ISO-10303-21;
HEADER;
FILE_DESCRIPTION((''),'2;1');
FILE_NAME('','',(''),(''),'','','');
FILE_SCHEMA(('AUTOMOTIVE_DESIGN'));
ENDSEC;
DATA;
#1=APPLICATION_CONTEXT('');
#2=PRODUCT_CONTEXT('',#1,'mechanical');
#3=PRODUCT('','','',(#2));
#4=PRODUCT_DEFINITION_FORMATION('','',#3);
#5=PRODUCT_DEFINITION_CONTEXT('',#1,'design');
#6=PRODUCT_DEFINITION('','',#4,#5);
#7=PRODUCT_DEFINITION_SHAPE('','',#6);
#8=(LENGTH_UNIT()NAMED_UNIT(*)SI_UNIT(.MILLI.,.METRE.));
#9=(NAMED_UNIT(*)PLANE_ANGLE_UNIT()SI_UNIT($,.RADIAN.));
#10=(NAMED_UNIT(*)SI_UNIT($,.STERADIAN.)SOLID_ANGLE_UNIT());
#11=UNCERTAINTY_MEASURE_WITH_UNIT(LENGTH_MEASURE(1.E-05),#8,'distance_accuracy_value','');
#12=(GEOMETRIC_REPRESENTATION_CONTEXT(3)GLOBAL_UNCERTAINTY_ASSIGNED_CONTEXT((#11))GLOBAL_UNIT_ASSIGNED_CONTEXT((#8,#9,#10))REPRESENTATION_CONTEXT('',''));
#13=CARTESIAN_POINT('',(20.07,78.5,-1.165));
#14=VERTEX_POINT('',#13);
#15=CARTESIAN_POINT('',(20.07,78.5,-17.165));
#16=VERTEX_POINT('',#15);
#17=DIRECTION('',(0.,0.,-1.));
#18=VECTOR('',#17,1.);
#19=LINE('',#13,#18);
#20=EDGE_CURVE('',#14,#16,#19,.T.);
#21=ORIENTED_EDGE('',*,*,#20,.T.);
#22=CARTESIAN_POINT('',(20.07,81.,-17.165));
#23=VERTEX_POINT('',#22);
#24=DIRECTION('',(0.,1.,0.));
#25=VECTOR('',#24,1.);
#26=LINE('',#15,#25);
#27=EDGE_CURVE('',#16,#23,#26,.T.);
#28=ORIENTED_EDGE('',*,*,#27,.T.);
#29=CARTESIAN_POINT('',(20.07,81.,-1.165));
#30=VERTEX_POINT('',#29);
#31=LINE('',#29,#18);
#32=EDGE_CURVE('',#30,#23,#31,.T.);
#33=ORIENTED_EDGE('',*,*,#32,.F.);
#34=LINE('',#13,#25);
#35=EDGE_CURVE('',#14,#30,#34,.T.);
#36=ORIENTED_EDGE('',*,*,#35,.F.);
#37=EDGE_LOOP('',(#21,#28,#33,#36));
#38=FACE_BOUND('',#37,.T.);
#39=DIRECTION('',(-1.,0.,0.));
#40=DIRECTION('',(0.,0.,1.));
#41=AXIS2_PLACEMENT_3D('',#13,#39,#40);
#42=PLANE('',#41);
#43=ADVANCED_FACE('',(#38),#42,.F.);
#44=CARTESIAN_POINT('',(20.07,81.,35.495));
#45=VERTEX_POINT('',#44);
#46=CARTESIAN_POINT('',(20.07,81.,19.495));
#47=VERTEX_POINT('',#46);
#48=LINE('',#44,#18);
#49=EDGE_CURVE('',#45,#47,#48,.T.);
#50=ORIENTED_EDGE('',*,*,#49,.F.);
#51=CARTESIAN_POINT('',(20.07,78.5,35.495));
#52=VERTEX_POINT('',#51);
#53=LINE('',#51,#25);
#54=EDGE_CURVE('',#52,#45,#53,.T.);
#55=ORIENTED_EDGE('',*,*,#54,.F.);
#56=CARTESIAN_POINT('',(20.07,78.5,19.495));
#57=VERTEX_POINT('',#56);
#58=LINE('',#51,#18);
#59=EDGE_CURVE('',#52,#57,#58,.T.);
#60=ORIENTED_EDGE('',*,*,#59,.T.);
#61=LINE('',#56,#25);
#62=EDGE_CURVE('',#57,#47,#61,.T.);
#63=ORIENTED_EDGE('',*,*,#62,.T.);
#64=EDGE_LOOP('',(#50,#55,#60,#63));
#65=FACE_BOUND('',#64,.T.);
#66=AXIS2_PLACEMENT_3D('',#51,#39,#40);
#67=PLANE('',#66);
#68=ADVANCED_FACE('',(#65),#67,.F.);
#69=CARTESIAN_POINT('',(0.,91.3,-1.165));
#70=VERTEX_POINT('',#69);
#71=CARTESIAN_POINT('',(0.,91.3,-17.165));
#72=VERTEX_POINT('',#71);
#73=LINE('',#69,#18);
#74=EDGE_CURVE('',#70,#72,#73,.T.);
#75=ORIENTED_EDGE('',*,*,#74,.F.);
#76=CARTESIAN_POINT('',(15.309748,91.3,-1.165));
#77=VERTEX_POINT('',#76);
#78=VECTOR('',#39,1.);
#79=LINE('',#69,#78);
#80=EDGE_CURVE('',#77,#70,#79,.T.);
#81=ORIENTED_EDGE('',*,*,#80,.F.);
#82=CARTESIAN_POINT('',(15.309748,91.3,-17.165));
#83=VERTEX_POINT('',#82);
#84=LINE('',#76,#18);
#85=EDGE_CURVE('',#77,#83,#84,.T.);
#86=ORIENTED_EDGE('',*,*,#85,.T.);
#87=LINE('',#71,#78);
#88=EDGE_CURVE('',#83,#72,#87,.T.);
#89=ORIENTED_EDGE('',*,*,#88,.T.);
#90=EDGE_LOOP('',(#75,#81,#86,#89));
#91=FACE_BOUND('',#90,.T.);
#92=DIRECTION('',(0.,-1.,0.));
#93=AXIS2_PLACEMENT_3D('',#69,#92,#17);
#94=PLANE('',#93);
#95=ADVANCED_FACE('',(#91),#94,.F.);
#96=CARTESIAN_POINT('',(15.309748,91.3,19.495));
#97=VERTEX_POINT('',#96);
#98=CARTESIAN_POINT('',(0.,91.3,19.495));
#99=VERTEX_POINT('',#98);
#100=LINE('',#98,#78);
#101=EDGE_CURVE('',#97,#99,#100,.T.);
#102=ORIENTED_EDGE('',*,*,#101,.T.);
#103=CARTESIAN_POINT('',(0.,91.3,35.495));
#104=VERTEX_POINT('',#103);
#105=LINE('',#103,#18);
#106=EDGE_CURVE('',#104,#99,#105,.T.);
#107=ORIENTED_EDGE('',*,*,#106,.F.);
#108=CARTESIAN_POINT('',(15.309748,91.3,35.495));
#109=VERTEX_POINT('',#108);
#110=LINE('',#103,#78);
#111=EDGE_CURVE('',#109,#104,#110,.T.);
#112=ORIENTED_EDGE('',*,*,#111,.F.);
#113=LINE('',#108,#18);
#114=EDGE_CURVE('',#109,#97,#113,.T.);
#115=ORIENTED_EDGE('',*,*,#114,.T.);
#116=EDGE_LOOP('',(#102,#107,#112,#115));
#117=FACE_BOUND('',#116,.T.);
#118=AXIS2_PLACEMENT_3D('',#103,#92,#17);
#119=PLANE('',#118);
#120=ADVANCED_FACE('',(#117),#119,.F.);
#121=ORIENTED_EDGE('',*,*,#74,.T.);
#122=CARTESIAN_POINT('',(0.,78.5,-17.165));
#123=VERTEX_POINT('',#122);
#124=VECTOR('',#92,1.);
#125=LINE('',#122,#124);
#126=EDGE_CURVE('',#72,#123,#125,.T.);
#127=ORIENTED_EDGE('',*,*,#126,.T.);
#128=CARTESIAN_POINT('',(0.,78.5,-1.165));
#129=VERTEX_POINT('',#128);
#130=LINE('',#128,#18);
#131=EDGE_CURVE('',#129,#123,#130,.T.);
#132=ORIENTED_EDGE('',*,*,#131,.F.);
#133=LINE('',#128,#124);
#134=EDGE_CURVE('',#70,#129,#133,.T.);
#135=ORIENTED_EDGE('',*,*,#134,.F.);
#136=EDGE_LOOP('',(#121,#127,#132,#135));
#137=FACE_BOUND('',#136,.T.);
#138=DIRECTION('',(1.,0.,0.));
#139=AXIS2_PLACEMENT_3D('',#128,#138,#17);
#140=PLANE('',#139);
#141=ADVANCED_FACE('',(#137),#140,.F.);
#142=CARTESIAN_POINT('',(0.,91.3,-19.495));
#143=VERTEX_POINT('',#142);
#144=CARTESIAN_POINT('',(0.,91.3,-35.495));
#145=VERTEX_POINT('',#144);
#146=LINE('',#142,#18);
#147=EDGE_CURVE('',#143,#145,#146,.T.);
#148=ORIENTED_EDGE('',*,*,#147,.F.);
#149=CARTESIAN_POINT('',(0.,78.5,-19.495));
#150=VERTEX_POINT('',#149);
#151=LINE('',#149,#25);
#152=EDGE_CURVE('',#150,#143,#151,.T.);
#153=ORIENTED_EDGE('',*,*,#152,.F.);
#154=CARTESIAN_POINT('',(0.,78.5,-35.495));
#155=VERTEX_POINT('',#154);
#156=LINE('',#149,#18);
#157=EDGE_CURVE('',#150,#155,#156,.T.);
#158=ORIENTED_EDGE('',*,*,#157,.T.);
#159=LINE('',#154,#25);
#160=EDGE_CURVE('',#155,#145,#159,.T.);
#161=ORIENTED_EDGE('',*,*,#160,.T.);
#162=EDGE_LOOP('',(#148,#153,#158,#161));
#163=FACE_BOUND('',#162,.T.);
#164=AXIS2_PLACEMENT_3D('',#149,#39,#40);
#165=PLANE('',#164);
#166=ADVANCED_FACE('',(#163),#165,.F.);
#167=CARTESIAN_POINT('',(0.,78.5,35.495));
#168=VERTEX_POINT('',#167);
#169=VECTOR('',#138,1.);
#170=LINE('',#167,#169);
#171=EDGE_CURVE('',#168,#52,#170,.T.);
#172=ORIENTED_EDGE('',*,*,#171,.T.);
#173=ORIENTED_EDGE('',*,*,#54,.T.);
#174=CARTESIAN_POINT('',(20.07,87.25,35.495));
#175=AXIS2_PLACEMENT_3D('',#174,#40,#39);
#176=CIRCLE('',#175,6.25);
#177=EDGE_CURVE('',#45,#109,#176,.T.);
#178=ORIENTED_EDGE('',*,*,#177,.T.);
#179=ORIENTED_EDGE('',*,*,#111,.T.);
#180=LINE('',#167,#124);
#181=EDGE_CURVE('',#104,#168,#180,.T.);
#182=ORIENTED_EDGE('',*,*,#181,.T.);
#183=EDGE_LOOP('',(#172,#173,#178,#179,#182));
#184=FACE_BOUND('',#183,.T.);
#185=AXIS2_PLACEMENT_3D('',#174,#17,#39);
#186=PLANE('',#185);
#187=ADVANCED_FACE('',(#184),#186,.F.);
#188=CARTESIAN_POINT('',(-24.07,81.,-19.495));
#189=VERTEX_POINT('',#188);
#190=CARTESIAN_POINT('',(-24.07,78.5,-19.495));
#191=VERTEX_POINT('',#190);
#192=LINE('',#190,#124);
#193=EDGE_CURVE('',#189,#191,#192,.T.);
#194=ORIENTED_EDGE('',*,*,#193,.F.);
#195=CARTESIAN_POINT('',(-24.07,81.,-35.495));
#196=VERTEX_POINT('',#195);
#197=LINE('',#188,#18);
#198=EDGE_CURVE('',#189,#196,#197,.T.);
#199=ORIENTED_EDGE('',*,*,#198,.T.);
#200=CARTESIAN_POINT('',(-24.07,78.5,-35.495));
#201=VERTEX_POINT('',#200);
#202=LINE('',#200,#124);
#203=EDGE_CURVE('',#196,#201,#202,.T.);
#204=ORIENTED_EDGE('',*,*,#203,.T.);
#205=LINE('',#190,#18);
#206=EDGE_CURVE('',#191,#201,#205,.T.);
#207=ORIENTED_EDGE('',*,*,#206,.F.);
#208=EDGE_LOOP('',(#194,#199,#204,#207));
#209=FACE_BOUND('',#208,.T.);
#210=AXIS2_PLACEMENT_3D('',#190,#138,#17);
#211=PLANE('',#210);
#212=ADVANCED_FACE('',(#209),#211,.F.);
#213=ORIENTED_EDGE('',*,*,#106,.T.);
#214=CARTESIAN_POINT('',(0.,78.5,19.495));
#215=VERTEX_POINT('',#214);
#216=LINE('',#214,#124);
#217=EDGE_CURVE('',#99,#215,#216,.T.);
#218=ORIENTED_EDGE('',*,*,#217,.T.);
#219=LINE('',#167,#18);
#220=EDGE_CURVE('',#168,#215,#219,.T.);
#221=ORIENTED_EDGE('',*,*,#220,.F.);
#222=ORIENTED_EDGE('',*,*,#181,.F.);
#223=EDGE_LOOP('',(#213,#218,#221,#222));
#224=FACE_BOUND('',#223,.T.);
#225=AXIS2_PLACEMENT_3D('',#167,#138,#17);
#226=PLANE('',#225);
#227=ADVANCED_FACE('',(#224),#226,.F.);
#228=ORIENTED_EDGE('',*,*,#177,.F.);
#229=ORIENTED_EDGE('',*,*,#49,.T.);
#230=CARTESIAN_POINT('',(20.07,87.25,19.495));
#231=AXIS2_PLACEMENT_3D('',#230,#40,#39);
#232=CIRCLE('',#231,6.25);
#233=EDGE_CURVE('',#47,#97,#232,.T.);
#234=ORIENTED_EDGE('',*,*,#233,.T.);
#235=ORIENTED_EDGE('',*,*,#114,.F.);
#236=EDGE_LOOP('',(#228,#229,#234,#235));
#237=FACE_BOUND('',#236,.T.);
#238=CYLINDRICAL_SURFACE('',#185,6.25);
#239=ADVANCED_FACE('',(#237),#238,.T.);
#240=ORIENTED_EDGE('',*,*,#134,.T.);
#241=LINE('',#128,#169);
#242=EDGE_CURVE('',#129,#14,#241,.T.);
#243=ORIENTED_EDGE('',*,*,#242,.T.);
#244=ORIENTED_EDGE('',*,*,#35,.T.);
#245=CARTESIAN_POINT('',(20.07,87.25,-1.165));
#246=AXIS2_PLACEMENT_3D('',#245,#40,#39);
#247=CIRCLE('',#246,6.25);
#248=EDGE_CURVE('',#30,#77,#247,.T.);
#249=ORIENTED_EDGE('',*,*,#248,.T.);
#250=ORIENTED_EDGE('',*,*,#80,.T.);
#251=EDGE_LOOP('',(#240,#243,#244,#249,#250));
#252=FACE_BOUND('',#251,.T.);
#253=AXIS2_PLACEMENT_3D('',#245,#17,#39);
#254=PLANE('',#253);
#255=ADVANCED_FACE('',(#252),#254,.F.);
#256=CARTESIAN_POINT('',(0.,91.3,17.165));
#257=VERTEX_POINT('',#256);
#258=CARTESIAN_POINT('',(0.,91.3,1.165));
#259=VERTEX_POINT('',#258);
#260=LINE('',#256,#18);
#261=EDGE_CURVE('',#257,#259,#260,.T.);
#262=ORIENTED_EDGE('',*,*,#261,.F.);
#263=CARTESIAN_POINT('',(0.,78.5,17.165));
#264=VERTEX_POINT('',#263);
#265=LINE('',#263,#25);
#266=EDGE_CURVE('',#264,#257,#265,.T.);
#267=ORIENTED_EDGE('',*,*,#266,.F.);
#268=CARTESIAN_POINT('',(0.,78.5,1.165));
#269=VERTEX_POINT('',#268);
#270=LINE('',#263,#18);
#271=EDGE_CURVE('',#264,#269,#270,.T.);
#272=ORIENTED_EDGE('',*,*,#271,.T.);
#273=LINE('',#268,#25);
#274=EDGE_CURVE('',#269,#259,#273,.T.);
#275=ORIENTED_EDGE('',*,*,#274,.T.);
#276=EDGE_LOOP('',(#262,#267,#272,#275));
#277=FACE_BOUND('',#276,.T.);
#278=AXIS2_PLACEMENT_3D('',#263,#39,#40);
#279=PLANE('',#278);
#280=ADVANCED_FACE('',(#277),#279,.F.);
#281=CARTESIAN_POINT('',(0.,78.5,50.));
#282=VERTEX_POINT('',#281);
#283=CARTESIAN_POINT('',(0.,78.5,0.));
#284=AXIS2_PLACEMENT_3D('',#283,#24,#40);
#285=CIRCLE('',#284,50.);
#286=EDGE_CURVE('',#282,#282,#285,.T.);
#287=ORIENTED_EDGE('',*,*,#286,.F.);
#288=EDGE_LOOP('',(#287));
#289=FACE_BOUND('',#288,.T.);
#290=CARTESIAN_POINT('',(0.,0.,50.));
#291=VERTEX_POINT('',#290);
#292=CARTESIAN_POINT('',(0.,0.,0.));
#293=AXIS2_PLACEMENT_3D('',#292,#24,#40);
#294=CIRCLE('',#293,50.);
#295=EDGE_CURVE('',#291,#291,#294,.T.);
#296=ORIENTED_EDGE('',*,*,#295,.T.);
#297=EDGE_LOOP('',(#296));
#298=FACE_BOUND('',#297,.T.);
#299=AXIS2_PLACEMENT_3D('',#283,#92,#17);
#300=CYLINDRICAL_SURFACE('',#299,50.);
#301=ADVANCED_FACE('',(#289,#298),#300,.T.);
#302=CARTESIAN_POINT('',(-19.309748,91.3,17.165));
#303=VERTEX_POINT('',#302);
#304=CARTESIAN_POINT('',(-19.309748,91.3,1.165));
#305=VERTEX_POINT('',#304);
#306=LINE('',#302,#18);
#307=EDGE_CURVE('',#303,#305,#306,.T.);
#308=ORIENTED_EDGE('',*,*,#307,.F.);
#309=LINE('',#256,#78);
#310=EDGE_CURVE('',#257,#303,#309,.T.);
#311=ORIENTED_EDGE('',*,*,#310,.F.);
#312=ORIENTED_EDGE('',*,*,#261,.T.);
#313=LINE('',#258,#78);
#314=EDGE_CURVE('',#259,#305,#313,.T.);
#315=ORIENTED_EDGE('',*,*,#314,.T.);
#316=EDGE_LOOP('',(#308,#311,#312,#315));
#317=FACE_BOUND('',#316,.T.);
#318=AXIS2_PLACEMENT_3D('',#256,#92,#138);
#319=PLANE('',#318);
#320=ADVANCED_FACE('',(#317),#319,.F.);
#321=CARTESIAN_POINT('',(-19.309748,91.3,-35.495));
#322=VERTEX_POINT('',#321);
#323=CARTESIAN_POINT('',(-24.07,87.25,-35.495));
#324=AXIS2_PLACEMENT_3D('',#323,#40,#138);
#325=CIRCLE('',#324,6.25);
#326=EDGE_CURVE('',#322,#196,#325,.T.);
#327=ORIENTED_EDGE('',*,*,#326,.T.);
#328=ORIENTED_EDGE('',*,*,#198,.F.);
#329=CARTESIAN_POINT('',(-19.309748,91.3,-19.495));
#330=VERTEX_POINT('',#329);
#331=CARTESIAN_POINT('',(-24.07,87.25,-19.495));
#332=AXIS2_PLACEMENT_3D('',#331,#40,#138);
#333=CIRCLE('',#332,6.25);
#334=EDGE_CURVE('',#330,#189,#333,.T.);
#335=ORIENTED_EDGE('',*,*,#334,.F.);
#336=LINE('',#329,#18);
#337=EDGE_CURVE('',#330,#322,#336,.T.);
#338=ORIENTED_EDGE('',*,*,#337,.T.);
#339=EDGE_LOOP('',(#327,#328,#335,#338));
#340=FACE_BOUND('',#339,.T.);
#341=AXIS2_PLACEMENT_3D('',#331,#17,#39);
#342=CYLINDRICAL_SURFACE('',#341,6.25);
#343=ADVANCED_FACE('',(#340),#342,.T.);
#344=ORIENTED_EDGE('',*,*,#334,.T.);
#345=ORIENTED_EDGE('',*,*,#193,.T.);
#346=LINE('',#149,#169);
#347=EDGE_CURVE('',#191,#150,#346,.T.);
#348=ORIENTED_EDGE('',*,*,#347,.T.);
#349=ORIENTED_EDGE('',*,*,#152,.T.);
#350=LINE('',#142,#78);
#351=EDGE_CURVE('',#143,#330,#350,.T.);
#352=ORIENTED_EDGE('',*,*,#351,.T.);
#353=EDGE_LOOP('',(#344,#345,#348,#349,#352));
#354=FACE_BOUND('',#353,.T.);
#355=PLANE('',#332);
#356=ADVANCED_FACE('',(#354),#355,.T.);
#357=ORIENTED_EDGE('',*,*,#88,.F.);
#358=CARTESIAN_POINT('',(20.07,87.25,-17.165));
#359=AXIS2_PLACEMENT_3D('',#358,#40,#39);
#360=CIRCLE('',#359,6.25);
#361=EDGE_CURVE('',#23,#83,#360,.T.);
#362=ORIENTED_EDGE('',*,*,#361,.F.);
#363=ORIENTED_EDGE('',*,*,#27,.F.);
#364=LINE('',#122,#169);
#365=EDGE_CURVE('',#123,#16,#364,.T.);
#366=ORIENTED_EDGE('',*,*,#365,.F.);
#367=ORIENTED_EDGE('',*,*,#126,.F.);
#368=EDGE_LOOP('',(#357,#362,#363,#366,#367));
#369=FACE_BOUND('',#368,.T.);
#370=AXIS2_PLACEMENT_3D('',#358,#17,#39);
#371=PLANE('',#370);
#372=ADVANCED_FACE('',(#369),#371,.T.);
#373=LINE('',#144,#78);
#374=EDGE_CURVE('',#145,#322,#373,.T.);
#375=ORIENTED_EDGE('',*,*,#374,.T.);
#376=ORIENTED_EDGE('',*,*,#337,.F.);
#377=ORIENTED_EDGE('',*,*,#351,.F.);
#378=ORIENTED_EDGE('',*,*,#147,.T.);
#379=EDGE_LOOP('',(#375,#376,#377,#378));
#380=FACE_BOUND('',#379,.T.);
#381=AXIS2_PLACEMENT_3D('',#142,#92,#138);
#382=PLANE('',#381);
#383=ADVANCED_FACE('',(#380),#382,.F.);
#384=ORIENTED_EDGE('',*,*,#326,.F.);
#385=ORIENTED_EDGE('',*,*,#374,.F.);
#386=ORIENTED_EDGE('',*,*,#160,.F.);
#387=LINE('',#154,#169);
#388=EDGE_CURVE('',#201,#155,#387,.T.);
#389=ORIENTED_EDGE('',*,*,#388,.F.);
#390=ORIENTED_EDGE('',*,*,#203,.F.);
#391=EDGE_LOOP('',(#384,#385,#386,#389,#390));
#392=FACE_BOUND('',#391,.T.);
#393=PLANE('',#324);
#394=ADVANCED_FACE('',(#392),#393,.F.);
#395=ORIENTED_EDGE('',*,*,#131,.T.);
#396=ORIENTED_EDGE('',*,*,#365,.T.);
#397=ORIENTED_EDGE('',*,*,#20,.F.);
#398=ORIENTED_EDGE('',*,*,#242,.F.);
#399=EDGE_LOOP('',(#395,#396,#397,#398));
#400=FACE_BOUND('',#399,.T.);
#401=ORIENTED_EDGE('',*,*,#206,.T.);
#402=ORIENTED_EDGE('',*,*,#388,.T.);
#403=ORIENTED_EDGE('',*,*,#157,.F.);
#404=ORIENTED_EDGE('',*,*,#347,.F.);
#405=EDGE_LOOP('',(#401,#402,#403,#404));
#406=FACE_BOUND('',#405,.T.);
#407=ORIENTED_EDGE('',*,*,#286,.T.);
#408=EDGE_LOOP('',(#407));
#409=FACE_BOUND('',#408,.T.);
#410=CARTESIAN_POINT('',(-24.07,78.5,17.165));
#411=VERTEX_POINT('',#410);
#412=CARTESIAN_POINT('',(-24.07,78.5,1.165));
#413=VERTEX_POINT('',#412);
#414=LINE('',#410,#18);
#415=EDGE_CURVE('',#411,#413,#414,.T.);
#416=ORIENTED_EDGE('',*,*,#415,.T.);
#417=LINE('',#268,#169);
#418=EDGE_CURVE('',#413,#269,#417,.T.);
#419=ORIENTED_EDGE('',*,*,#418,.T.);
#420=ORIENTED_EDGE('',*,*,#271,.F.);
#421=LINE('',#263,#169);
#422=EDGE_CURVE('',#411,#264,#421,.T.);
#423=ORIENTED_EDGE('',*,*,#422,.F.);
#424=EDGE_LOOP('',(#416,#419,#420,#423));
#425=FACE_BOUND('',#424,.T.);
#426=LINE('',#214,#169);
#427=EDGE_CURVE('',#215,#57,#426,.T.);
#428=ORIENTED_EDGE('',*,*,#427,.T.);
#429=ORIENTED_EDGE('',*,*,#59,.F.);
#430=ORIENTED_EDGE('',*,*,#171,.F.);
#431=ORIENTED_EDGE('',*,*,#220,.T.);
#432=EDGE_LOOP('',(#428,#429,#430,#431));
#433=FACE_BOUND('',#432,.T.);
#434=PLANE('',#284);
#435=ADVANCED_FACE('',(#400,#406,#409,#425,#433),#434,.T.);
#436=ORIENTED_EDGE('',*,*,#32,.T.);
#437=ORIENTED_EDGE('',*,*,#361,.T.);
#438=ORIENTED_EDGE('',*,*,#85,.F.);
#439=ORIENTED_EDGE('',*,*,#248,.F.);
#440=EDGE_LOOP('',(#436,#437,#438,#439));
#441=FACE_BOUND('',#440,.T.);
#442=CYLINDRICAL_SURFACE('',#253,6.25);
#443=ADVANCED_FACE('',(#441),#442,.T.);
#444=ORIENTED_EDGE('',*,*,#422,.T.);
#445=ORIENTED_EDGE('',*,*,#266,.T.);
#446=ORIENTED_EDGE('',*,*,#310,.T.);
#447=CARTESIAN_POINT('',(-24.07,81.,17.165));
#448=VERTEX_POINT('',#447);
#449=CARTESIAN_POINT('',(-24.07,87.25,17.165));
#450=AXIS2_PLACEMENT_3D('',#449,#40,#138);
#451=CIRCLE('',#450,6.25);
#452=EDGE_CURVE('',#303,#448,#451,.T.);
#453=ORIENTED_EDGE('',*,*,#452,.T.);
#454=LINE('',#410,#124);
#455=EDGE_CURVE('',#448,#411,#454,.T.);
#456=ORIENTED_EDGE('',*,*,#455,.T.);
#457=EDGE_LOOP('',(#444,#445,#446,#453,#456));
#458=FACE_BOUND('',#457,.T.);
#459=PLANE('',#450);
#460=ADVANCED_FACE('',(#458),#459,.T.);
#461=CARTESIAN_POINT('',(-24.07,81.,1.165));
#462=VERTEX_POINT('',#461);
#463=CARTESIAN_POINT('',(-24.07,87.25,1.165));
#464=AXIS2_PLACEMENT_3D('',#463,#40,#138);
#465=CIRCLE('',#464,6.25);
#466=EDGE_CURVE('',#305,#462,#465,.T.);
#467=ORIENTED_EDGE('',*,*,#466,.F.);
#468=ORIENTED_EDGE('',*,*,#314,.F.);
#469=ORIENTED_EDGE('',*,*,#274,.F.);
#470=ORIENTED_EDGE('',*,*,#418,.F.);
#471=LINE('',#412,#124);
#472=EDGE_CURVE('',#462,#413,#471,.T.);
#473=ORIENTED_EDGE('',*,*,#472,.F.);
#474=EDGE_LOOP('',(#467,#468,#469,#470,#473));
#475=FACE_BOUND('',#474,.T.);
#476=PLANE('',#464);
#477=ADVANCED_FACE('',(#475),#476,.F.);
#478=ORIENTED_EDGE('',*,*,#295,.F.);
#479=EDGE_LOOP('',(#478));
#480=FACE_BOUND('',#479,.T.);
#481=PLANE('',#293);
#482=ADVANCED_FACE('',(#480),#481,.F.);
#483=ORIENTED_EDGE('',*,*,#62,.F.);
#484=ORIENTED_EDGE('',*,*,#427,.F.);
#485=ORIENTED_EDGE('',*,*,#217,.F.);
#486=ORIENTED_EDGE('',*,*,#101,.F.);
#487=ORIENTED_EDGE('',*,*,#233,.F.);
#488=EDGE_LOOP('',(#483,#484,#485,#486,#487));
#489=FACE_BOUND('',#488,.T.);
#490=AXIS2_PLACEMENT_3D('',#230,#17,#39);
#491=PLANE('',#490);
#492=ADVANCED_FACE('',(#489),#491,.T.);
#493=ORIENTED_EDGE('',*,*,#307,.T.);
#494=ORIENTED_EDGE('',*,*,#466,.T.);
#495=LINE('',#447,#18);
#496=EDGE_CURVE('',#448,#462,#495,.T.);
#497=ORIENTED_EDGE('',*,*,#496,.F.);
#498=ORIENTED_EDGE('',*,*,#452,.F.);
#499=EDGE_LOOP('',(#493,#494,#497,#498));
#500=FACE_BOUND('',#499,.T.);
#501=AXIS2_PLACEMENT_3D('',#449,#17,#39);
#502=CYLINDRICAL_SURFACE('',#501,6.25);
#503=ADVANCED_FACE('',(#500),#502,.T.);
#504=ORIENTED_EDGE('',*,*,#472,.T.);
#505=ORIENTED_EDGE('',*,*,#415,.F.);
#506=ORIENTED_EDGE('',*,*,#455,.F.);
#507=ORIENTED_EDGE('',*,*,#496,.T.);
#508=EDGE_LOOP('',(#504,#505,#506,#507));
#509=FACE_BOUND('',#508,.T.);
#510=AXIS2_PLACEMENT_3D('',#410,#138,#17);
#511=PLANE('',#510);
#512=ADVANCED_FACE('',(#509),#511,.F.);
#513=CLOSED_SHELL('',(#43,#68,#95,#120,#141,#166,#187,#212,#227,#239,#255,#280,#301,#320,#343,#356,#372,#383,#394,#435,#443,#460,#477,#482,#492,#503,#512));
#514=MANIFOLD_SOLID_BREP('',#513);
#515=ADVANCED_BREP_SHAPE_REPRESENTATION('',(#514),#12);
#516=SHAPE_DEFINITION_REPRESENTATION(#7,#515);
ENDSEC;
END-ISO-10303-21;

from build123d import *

# Parameters (mm, degrees)
SKETCH1_R           = 50
BOSS_EXTRUDE1_DEPTH = 78.5
BOSS_EXTRUDE2_DEPTH = 8
LPATTERN1_COUNT     = 2
LPATTERN1_PITCH     = 36.66
BOSS_EXTRUDE3_DEPTH = 8
LPATTERN2_COUNT     = 2
LPATTERN2_PITCH     = 36.66


with BuildPart() as part:
    # Sketch1 → Boss-Extrude1 (new body)
    with BuildSketch(Plane(origin=(0, 0, 0), x_dir=(1, 0, 0), z_dir=(0, 1, 0))):
        Circle(SKETCH1_R)
    extrude(amount=BOSS_EXTRUDE1_DEPTH)

    # Sketch2 → Boss-Extrude2 (add, symmetric)
    with BuildSketch(Plane.XY.offset(9.165)):
        with BuildLine():
            Line((0, 78.5), (-24.07, 78.5))
            Line((-24.07, 78.5), (-24.07, 81))
            ThreePointArc((-24.07, 81), (-29.743402859, 89.87202212), (-19.309747906, 91.3))
            Line((-19.309747906, 91.3), (0, 91.3))
            Line((0, 91.3), (0, 78.5))
        make_face()
    boss_extrude2 = extrude(amount=BOSS_EXTRUDE2_DEPTH, both=True)

    # LPattern1: Boss-Extrude2 ×2
    with Locations(*[(0, 0, -i * LPATTERN1_PITCH) for i in range(1, LPATTERN1_COUNT)]):
        add(boss_extrude2)

    # Sketch3 → Boss-Extrude3 (add, symmetric)
    with BuildSketch(Plane.XY.offset(27.495)):
        with BuildLine():
            Line((0, 91.3), (15.309747906, 91.3))
            ThreePointArc((15.309747906, 91.3), (25.743402859, 89.87202212), (20.07, 81))
            Line((20.07, 81), (20.07, 78.5))
            Line((20.07, 78.5), (0, 78.5))
            Line((0, 78.5), (0, 91.3))
        make_face()
    boss_extrude3 = extrude(amount=BOSS_EXTRUDE3_DEPTH, both=True)

    # LPattern2: Boss-Extrude3 ×2
    with Locations(*[(0, 0, -i * LPATTERN2_PITCH) for i in range(1, LPATTERN2_COUNT)]):
        add(boss_extrude3)


solid = part.part
